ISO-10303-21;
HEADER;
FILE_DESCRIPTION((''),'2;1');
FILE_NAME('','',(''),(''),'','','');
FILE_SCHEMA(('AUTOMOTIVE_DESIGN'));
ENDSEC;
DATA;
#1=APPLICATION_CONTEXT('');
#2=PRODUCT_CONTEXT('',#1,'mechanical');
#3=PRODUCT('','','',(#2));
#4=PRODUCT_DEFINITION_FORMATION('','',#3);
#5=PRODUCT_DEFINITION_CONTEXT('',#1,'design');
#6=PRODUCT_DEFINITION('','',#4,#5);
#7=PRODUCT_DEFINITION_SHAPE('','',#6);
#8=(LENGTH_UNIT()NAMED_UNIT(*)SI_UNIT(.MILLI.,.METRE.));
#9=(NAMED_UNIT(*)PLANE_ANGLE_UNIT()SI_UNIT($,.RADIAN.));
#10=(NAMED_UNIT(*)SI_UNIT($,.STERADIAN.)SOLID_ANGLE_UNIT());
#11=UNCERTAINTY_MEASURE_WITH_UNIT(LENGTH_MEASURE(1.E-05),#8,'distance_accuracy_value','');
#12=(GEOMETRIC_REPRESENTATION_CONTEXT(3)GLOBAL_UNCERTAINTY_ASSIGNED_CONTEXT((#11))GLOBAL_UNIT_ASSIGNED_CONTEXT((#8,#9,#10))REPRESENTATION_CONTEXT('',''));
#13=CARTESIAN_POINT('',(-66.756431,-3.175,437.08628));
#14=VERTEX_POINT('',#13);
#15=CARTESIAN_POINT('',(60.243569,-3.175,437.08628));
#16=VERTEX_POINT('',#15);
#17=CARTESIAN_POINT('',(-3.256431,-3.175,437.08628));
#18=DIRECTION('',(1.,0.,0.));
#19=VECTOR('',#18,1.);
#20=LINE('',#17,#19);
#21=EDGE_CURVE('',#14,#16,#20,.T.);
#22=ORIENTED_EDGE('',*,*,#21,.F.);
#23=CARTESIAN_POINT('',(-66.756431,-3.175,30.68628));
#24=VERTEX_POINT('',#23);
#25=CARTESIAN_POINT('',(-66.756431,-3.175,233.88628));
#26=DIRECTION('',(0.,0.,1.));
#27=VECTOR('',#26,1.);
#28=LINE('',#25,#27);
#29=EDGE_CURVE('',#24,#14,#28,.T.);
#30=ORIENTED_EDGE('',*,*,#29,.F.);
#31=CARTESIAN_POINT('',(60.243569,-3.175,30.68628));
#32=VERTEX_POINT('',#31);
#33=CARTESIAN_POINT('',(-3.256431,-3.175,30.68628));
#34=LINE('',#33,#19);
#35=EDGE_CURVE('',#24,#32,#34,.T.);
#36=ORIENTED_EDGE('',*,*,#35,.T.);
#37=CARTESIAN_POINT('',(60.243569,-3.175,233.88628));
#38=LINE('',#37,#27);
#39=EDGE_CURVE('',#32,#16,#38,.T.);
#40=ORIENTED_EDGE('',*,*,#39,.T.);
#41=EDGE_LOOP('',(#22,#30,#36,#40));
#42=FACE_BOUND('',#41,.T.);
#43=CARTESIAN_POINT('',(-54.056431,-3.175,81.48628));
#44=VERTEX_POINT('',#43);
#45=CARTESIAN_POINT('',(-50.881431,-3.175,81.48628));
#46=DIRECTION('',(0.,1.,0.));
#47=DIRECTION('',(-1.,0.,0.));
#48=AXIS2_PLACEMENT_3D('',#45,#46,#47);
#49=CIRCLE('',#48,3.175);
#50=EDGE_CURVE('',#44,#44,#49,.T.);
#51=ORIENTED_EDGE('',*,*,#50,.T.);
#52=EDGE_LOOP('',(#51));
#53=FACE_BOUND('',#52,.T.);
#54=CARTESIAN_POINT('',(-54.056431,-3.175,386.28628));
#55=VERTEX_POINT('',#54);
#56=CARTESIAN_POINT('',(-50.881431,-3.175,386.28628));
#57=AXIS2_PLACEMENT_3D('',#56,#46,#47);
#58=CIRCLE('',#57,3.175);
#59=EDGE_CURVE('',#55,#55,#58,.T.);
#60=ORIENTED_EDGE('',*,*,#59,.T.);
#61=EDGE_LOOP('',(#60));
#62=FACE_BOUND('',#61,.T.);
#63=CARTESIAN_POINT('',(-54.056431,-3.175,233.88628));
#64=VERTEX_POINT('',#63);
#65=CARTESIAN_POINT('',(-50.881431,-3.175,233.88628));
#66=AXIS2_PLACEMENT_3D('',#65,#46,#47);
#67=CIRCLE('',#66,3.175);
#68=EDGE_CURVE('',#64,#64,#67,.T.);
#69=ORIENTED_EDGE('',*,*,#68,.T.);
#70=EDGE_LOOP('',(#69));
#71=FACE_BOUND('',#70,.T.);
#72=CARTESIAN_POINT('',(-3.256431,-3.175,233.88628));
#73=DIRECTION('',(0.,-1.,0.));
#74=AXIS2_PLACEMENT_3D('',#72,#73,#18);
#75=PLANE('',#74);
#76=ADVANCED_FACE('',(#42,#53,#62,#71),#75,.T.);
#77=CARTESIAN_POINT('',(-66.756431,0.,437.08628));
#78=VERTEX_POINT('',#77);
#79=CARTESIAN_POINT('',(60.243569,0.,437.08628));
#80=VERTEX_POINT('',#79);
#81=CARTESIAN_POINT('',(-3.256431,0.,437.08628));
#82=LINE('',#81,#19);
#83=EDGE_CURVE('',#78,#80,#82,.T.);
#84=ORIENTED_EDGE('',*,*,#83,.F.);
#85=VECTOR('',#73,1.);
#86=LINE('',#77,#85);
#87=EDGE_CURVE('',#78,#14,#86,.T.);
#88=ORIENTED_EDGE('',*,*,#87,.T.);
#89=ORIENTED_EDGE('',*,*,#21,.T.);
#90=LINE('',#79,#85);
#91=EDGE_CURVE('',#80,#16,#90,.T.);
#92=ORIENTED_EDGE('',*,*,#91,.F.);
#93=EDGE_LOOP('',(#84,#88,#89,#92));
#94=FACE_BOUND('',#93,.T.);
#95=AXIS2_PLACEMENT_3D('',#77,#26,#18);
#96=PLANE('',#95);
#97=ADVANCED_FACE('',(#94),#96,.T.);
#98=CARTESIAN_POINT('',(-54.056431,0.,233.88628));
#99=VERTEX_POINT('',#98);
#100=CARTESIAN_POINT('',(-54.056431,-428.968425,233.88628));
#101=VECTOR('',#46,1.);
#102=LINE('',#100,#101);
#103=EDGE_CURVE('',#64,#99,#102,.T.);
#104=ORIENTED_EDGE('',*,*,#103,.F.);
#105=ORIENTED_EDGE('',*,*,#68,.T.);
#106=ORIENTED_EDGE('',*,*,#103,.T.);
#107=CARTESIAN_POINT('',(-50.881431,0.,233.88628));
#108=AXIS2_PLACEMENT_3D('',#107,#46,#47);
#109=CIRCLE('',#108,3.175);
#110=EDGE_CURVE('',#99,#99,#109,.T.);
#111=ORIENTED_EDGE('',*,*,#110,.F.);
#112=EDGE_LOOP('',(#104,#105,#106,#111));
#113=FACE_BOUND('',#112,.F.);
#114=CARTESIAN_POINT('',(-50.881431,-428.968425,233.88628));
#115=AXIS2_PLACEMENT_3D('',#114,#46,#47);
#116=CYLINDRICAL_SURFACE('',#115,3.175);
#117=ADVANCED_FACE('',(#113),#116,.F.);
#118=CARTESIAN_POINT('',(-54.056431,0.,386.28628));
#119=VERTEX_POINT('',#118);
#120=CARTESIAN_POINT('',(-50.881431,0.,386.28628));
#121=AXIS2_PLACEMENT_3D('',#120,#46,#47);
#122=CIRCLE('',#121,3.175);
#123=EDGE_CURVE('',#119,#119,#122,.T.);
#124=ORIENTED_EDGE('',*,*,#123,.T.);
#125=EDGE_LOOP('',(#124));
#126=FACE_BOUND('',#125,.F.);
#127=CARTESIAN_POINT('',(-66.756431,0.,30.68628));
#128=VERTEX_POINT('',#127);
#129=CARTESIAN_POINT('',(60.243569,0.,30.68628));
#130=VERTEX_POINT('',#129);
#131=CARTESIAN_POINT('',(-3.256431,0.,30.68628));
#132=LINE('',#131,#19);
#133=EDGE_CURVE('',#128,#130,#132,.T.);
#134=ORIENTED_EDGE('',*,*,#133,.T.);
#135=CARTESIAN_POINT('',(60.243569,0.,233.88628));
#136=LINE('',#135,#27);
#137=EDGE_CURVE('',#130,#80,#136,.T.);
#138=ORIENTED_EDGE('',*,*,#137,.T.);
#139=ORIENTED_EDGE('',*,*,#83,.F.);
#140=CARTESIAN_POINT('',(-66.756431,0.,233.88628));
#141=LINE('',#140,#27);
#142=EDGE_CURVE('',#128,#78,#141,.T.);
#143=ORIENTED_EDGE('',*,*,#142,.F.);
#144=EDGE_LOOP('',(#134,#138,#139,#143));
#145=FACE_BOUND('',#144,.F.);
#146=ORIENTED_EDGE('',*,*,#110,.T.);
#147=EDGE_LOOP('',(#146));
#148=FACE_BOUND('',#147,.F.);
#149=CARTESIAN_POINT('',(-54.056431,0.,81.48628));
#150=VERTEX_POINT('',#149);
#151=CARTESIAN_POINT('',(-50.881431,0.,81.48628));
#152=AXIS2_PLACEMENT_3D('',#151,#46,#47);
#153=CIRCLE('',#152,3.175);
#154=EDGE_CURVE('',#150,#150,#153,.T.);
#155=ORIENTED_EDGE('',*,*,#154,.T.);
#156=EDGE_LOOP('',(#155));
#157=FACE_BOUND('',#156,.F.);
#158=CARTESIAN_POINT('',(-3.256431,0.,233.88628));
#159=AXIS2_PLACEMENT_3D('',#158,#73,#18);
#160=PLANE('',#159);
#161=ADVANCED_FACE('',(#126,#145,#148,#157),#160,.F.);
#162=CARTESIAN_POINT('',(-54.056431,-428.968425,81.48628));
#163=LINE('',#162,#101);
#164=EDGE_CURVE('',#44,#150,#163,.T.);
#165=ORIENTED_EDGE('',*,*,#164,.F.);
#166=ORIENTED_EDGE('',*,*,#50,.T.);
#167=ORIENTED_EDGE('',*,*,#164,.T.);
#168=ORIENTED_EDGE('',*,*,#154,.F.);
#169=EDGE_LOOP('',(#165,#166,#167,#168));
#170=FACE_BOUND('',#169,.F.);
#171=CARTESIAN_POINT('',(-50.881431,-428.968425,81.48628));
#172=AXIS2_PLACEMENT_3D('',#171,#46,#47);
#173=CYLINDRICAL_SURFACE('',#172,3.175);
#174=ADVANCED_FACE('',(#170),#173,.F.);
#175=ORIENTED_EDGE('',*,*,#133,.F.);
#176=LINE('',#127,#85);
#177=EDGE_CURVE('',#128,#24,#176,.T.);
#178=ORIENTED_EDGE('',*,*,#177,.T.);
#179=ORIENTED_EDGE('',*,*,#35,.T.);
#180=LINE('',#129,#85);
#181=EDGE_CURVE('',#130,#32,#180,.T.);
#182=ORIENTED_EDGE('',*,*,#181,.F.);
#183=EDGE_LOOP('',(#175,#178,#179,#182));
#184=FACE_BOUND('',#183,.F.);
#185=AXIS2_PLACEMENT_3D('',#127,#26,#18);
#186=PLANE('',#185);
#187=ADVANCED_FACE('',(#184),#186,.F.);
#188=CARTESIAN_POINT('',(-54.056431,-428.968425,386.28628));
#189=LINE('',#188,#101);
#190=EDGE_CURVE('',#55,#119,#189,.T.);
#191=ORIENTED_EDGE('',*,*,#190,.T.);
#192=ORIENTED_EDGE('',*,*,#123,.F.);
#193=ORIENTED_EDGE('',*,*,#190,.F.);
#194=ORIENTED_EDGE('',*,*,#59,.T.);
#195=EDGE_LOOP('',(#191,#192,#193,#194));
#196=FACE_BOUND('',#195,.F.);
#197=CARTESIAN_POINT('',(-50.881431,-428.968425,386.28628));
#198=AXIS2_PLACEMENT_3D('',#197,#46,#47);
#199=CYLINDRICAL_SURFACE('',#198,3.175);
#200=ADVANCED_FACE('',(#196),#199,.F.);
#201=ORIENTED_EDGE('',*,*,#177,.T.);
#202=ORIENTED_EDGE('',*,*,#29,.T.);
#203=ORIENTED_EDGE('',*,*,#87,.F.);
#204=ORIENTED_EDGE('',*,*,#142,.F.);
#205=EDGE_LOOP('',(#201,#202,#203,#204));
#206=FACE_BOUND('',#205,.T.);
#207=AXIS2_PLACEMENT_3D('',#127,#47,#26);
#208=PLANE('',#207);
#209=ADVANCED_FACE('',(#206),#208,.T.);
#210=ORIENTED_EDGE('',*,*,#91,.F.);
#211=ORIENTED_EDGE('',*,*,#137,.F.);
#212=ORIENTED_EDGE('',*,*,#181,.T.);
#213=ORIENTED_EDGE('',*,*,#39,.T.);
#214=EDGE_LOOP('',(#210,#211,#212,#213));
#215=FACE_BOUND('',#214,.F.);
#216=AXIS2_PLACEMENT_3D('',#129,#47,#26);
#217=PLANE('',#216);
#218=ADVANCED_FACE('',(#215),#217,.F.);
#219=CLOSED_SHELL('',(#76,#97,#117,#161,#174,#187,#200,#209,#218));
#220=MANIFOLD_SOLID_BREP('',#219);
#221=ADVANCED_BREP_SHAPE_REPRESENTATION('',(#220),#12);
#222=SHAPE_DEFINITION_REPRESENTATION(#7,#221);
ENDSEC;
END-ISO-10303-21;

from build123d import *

# Parameters (mm, degrees)
F0_W     = 127
F0_H     = 406.4
F1_DEPTH = 3.175
F3_D     = 6.35


with BuildPart() as f1:
    # F0 (on Front) → F1 (new body)
    with BuildSketch(Plane.XZ):
        with Locations((-3.256431, 233.88628)):
            Rectangle(F0_W, F0_H)
    extrude(amount=F1_DEPTH)

    # F3 (through all)
    with Locations(Plane.XZ.offset(3.175)):
        with Locations((-50.881431, 81.48628), (-50.881431, 233.88628), (-50.881431, 386.28628)):
            Hole(F3_D / 2)


solid = f1.part
